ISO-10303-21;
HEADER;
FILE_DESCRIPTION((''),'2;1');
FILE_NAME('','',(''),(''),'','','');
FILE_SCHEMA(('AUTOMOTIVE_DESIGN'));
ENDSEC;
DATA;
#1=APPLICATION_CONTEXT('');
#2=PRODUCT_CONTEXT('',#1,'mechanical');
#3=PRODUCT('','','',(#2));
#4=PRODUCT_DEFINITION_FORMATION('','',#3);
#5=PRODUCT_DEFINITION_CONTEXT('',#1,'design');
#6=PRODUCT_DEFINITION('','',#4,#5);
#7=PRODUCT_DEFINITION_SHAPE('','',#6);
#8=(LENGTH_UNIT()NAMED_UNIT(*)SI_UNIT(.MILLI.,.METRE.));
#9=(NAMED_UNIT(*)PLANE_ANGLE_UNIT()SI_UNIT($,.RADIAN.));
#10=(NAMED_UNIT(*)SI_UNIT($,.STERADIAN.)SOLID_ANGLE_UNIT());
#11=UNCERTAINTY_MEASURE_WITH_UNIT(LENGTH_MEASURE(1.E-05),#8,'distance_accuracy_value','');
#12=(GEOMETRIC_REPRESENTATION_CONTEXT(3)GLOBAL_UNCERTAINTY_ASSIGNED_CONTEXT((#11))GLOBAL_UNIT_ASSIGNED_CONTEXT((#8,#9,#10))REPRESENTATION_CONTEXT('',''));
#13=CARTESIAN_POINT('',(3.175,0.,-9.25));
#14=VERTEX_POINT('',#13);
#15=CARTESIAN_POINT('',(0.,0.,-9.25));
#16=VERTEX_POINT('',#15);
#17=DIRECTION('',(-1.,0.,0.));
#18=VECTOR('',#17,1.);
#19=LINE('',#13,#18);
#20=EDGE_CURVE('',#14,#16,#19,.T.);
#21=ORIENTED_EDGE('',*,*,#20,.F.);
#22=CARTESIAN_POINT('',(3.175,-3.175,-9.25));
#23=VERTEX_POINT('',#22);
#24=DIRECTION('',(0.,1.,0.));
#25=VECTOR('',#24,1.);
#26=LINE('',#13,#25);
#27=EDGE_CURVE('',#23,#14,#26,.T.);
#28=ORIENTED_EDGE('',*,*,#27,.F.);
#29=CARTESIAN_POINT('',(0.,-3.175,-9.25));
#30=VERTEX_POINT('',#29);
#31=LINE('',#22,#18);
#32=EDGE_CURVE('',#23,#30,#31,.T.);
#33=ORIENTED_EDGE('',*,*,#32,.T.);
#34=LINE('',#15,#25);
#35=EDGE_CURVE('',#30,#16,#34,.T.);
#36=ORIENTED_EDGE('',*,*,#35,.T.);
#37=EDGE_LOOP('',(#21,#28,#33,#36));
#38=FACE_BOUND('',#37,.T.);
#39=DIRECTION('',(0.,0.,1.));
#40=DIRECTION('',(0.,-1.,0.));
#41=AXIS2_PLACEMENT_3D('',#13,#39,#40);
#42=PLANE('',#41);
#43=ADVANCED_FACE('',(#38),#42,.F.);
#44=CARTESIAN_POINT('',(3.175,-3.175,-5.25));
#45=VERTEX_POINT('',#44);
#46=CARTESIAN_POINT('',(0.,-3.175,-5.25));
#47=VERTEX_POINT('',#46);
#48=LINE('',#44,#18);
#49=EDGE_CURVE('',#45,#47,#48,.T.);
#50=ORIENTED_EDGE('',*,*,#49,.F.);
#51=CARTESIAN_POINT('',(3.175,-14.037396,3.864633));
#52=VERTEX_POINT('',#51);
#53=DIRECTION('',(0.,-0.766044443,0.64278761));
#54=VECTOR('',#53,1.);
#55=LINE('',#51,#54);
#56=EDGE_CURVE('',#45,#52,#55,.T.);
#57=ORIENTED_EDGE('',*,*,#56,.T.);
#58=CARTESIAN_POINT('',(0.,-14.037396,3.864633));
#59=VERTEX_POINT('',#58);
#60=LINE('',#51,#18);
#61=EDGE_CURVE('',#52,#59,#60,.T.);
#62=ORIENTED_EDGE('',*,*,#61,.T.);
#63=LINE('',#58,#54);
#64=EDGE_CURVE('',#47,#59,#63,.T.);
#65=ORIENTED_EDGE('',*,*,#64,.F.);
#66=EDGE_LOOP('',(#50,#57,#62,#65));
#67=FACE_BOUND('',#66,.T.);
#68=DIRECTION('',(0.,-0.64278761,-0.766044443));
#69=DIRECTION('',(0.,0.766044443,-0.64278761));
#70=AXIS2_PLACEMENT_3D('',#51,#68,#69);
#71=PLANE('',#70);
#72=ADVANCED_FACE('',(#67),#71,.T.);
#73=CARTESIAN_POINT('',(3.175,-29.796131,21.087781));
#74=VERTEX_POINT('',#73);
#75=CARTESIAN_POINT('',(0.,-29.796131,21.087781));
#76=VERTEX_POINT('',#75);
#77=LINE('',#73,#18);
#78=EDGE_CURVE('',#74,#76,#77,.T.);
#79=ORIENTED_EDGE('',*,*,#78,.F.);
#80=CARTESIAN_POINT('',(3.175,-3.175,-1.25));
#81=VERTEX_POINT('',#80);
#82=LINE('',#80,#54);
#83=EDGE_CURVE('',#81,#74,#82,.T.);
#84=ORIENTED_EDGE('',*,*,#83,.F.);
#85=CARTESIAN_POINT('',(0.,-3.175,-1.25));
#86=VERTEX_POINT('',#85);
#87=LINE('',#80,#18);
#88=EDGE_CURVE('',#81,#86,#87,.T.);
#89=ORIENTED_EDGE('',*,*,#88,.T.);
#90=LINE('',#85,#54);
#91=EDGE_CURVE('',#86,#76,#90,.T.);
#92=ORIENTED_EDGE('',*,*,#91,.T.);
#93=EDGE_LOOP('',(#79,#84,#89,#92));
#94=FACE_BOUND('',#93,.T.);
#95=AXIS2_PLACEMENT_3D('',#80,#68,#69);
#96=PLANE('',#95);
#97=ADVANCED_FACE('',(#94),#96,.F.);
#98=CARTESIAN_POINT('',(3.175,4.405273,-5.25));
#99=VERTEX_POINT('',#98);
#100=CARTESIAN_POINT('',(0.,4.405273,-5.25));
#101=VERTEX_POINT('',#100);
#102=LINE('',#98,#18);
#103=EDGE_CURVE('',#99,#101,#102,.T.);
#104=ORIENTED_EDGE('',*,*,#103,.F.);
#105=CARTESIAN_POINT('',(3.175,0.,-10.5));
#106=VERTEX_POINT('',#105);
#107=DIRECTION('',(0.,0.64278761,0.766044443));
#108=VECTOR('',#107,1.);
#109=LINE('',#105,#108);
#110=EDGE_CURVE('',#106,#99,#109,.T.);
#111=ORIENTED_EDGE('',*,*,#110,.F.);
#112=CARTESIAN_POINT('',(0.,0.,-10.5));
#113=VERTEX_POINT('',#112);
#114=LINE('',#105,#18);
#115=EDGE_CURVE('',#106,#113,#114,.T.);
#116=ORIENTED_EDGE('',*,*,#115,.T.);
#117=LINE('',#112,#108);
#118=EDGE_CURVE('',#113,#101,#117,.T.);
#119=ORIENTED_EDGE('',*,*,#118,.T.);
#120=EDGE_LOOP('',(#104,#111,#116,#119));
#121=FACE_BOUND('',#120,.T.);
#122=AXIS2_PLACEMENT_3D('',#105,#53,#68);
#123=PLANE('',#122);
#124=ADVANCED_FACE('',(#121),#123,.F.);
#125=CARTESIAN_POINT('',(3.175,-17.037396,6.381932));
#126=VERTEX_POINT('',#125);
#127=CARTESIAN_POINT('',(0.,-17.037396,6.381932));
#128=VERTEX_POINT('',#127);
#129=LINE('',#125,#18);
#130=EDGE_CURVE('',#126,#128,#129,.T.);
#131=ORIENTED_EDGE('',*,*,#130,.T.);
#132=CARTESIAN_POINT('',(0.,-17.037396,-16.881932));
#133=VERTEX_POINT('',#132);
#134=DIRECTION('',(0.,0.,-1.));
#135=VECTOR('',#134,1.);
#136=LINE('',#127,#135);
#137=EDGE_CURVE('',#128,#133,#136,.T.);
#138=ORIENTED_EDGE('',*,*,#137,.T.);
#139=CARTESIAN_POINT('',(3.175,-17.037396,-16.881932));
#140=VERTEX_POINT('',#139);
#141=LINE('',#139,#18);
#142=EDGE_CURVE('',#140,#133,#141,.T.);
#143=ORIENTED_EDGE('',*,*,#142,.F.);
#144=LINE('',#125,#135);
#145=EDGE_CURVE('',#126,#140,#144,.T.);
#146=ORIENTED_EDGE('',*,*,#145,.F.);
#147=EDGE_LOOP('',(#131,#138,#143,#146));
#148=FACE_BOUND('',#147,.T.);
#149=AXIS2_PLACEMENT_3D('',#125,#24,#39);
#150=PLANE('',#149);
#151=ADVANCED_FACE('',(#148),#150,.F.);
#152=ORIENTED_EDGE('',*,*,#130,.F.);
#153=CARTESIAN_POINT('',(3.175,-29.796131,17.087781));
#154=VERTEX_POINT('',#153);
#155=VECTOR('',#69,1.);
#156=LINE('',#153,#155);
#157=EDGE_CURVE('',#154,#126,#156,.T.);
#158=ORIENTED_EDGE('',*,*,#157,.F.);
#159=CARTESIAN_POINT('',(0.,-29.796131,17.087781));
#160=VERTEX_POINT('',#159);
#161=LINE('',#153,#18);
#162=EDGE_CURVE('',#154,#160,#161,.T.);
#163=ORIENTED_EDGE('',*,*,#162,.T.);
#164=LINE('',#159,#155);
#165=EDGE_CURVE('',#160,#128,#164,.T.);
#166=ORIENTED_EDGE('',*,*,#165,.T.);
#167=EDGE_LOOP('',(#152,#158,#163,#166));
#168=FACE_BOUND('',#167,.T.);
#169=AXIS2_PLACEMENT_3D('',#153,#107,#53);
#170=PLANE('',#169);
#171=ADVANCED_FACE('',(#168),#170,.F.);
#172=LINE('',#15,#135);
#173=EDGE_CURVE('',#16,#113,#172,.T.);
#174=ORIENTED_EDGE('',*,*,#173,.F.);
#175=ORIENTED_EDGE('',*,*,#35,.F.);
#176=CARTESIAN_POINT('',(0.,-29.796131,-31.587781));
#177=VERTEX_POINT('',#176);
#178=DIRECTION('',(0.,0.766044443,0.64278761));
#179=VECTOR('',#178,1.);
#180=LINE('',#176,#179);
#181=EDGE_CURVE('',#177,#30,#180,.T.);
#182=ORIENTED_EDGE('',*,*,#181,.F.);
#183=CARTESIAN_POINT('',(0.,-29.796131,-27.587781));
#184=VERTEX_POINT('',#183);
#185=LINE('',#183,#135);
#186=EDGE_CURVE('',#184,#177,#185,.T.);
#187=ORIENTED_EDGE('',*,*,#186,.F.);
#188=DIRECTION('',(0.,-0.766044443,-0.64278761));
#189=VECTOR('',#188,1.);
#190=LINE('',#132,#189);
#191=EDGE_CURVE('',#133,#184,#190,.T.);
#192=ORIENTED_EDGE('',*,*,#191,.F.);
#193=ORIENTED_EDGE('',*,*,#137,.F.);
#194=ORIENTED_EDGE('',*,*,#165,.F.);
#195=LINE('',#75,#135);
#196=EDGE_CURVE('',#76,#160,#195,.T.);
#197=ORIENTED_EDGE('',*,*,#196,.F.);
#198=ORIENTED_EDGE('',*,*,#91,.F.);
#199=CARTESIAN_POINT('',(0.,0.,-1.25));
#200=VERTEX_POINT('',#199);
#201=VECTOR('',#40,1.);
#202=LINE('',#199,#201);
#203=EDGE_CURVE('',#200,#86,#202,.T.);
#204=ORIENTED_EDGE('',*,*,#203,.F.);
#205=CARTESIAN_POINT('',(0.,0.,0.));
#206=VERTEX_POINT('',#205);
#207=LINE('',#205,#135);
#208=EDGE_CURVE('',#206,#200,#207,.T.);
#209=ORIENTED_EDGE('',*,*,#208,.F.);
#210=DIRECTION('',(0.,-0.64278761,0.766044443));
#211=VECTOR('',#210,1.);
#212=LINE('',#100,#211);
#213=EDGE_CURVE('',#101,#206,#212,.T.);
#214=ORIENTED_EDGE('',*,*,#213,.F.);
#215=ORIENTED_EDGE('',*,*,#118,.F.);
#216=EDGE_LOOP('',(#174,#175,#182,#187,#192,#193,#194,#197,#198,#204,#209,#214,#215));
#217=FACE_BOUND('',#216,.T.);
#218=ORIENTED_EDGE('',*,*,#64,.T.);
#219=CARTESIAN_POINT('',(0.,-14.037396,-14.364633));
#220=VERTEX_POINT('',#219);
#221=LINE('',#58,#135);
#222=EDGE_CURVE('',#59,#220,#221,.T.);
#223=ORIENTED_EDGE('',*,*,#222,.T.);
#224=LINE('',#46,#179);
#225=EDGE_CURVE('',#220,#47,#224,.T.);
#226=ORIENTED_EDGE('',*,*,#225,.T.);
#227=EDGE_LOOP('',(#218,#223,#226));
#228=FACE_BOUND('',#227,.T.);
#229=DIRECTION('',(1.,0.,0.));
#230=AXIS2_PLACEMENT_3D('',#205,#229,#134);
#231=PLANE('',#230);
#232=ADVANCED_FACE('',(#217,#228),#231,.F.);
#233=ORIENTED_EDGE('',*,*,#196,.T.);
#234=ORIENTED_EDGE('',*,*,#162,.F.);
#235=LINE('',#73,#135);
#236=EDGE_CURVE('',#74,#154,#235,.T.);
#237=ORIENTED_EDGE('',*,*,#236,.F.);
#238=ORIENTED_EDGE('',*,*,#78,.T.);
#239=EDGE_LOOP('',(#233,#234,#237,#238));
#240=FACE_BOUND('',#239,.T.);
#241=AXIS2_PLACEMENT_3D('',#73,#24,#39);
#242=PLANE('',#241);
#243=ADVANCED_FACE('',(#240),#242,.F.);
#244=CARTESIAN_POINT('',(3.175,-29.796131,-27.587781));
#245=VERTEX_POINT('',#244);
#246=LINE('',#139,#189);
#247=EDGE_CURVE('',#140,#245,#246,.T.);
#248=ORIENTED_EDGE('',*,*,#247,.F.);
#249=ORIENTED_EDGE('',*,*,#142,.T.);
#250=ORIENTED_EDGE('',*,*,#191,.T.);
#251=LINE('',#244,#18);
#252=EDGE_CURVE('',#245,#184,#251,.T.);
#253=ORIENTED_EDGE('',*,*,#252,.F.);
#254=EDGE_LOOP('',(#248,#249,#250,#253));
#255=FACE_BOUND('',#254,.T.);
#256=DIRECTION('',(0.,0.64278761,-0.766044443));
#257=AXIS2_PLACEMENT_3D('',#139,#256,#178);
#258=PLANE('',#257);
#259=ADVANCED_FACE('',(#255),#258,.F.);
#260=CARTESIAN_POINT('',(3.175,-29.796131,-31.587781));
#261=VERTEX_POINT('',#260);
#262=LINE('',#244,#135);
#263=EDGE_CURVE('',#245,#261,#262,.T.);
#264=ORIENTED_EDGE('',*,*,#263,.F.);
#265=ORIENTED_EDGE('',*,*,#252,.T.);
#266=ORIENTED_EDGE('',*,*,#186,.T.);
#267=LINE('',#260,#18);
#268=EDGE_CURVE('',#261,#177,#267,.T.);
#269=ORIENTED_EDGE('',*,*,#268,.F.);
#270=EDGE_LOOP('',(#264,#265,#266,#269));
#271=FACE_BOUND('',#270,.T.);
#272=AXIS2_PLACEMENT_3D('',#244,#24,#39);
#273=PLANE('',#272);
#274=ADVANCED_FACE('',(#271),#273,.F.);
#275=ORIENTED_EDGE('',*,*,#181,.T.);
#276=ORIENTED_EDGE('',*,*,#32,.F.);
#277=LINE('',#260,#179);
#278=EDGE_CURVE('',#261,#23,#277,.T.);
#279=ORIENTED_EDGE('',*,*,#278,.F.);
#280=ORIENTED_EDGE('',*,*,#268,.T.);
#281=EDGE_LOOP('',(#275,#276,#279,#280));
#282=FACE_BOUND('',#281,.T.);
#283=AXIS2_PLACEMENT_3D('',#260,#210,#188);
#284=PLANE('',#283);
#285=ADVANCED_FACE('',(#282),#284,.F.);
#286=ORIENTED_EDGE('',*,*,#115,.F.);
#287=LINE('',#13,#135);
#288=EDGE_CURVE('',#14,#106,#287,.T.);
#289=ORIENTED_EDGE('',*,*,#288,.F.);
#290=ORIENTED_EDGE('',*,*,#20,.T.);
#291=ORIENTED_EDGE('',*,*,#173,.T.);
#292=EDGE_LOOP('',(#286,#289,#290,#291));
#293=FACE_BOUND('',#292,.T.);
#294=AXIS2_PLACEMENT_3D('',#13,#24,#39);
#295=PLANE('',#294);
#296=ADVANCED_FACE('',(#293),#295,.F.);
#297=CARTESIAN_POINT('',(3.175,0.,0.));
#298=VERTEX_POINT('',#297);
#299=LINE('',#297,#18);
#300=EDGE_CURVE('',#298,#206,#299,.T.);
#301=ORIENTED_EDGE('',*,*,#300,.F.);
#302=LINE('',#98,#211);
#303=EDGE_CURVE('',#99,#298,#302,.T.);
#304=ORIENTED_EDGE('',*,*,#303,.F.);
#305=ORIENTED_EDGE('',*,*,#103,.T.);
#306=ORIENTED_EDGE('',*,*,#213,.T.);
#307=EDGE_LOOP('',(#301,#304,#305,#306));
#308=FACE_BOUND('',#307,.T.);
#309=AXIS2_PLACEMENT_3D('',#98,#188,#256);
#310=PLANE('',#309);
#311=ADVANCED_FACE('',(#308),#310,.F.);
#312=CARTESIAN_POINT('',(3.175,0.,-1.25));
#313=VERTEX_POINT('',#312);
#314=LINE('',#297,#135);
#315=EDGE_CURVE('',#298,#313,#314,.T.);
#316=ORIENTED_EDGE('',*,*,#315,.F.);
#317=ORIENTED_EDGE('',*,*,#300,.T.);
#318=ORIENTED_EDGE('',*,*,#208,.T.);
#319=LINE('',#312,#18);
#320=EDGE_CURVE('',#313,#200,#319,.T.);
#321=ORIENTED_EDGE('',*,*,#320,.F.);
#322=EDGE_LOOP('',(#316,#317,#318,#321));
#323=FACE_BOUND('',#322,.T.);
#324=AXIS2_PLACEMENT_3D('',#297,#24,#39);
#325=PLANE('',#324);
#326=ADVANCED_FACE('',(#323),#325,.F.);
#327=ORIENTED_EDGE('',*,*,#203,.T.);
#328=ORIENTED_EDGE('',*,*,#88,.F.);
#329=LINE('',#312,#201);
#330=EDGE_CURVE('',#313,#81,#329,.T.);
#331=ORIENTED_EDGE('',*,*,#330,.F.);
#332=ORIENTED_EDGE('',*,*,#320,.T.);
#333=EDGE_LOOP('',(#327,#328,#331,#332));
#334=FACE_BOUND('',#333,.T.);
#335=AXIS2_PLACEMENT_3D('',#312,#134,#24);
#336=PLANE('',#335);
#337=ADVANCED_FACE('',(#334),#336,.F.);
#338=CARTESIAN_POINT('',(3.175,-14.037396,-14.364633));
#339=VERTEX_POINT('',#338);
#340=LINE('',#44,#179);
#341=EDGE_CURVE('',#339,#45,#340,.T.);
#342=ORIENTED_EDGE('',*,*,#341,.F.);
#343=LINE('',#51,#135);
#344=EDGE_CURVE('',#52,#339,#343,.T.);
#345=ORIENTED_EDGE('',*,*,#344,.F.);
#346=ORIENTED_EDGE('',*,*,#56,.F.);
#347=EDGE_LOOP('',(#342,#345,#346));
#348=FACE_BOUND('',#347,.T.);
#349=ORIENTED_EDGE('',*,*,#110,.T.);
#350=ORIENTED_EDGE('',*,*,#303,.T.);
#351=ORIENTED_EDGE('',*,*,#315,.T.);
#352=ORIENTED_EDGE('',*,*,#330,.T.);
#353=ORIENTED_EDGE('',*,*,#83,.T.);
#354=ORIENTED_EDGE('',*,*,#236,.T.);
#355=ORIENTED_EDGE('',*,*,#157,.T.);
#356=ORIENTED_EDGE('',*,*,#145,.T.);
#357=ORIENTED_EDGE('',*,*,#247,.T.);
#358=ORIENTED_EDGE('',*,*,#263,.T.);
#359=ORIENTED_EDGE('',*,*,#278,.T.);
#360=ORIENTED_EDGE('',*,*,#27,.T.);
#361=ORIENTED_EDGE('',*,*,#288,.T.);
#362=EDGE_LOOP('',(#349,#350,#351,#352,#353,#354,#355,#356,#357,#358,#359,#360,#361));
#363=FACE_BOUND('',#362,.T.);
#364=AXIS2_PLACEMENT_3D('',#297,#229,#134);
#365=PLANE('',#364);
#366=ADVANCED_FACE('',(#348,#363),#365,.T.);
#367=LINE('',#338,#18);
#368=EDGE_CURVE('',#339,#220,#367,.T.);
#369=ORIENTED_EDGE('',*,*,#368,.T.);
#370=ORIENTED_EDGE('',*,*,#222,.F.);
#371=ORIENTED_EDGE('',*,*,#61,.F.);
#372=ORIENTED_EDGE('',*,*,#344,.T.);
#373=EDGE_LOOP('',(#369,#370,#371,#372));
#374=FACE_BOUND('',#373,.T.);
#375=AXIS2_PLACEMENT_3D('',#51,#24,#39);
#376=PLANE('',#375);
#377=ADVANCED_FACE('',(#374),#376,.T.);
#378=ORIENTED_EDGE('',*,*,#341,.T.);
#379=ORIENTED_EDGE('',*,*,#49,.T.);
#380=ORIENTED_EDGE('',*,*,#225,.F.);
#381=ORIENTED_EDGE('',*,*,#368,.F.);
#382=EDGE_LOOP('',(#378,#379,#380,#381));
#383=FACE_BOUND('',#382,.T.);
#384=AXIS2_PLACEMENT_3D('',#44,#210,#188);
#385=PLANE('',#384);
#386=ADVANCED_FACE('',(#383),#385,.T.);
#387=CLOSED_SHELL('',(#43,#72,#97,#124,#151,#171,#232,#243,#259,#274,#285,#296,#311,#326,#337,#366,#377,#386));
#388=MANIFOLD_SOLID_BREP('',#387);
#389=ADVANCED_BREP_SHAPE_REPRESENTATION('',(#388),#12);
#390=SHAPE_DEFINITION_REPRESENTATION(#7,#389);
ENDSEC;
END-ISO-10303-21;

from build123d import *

# Parameters (mm, degrees)
BOSS_EXTRUDE2_DEPTH = 3.175


with BuildPart() as part:
    # Sketch1 → Boss-Extrude2 (new body)
    with BuildSketch(Plane(origin=(0, 0, 0), x_dir=(0, 0, -1), z_dir=(1, 0, 0))):
        Polygon((0, 0), (1.25, 0), (1.25, -3.175), (-21.087781289, -29.796131102), (-17.087781289, -29.796131102), (-6.381931526, -17.037396185), (16.881931526, -17.037396185), (27.587781289, -29.796131102), (31.587781289, -29.796131102), (9.25, -3.175), (9.25, 0), (10.5, 0), (5.25, 4.405273064), align=None)
        Polygon((5.25, -3.175), (14.364632633, -14.037396185), (-3.864632633, -14.037396185), align=None, mode=Mode.SUBTRACT)
    extrude(amount=BOSS_EXTRUDE2_DEPTH)


solid = part.part
